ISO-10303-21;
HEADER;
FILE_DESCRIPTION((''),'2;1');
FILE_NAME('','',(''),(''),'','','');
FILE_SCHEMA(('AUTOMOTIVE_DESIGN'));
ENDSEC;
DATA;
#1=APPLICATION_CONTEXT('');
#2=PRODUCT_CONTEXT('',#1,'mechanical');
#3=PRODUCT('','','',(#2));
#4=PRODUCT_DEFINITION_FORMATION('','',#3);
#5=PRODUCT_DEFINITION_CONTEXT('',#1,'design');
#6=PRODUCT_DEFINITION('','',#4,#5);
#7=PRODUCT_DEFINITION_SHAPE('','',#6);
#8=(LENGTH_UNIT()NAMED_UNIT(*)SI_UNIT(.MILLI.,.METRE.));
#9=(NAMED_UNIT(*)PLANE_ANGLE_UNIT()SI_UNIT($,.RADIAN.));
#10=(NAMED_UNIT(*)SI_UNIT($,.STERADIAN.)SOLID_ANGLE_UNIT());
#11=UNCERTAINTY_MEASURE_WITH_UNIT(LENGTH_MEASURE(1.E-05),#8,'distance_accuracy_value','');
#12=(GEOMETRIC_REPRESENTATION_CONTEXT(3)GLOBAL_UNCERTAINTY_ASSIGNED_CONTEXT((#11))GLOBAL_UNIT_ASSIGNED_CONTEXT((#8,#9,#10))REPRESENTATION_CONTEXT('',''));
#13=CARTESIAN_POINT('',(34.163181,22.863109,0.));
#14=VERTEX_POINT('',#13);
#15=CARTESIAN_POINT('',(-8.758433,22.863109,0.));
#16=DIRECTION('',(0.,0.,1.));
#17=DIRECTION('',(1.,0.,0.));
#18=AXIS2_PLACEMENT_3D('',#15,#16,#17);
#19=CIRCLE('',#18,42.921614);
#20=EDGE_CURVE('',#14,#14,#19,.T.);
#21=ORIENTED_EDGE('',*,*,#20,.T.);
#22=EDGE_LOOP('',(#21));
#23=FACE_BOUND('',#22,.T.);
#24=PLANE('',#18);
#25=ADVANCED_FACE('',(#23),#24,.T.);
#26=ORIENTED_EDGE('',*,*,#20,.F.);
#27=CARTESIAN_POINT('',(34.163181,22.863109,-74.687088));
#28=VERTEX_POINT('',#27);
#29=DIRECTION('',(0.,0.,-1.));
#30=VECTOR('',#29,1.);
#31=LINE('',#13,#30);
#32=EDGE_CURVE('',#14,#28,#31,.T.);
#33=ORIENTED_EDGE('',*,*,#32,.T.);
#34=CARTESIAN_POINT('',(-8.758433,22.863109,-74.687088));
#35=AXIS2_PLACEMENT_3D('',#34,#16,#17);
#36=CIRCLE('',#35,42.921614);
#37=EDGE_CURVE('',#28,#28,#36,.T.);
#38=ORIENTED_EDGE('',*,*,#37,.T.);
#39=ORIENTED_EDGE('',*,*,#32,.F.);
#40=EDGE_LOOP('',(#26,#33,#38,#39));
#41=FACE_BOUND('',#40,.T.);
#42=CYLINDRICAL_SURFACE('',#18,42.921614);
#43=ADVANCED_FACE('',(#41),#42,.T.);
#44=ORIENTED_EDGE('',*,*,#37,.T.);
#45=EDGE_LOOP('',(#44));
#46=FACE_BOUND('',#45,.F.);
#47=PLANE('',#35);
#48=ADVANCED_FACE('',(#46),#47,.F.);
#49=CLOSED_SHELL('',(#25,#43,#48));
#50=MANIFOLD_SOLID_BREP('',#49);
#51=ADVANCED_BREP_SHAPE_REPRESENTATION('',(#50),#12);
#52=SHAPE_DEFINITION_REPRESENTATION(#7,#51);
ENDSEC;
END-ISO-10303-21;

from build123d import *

# Parameters (mm, degrees)
F0_R     = 42.921614
F1_DEPTH = 74.687088


with BuildPart() as f1:
    # F0 (on Top) → F1 (new body)
    with BuildSketch(Plane.XY):
        with Locations((-8.758433, 22.863109)):
            Circle(F0_R)
    extrude(amount=-F1_DEPTH)


solid = f1.part
